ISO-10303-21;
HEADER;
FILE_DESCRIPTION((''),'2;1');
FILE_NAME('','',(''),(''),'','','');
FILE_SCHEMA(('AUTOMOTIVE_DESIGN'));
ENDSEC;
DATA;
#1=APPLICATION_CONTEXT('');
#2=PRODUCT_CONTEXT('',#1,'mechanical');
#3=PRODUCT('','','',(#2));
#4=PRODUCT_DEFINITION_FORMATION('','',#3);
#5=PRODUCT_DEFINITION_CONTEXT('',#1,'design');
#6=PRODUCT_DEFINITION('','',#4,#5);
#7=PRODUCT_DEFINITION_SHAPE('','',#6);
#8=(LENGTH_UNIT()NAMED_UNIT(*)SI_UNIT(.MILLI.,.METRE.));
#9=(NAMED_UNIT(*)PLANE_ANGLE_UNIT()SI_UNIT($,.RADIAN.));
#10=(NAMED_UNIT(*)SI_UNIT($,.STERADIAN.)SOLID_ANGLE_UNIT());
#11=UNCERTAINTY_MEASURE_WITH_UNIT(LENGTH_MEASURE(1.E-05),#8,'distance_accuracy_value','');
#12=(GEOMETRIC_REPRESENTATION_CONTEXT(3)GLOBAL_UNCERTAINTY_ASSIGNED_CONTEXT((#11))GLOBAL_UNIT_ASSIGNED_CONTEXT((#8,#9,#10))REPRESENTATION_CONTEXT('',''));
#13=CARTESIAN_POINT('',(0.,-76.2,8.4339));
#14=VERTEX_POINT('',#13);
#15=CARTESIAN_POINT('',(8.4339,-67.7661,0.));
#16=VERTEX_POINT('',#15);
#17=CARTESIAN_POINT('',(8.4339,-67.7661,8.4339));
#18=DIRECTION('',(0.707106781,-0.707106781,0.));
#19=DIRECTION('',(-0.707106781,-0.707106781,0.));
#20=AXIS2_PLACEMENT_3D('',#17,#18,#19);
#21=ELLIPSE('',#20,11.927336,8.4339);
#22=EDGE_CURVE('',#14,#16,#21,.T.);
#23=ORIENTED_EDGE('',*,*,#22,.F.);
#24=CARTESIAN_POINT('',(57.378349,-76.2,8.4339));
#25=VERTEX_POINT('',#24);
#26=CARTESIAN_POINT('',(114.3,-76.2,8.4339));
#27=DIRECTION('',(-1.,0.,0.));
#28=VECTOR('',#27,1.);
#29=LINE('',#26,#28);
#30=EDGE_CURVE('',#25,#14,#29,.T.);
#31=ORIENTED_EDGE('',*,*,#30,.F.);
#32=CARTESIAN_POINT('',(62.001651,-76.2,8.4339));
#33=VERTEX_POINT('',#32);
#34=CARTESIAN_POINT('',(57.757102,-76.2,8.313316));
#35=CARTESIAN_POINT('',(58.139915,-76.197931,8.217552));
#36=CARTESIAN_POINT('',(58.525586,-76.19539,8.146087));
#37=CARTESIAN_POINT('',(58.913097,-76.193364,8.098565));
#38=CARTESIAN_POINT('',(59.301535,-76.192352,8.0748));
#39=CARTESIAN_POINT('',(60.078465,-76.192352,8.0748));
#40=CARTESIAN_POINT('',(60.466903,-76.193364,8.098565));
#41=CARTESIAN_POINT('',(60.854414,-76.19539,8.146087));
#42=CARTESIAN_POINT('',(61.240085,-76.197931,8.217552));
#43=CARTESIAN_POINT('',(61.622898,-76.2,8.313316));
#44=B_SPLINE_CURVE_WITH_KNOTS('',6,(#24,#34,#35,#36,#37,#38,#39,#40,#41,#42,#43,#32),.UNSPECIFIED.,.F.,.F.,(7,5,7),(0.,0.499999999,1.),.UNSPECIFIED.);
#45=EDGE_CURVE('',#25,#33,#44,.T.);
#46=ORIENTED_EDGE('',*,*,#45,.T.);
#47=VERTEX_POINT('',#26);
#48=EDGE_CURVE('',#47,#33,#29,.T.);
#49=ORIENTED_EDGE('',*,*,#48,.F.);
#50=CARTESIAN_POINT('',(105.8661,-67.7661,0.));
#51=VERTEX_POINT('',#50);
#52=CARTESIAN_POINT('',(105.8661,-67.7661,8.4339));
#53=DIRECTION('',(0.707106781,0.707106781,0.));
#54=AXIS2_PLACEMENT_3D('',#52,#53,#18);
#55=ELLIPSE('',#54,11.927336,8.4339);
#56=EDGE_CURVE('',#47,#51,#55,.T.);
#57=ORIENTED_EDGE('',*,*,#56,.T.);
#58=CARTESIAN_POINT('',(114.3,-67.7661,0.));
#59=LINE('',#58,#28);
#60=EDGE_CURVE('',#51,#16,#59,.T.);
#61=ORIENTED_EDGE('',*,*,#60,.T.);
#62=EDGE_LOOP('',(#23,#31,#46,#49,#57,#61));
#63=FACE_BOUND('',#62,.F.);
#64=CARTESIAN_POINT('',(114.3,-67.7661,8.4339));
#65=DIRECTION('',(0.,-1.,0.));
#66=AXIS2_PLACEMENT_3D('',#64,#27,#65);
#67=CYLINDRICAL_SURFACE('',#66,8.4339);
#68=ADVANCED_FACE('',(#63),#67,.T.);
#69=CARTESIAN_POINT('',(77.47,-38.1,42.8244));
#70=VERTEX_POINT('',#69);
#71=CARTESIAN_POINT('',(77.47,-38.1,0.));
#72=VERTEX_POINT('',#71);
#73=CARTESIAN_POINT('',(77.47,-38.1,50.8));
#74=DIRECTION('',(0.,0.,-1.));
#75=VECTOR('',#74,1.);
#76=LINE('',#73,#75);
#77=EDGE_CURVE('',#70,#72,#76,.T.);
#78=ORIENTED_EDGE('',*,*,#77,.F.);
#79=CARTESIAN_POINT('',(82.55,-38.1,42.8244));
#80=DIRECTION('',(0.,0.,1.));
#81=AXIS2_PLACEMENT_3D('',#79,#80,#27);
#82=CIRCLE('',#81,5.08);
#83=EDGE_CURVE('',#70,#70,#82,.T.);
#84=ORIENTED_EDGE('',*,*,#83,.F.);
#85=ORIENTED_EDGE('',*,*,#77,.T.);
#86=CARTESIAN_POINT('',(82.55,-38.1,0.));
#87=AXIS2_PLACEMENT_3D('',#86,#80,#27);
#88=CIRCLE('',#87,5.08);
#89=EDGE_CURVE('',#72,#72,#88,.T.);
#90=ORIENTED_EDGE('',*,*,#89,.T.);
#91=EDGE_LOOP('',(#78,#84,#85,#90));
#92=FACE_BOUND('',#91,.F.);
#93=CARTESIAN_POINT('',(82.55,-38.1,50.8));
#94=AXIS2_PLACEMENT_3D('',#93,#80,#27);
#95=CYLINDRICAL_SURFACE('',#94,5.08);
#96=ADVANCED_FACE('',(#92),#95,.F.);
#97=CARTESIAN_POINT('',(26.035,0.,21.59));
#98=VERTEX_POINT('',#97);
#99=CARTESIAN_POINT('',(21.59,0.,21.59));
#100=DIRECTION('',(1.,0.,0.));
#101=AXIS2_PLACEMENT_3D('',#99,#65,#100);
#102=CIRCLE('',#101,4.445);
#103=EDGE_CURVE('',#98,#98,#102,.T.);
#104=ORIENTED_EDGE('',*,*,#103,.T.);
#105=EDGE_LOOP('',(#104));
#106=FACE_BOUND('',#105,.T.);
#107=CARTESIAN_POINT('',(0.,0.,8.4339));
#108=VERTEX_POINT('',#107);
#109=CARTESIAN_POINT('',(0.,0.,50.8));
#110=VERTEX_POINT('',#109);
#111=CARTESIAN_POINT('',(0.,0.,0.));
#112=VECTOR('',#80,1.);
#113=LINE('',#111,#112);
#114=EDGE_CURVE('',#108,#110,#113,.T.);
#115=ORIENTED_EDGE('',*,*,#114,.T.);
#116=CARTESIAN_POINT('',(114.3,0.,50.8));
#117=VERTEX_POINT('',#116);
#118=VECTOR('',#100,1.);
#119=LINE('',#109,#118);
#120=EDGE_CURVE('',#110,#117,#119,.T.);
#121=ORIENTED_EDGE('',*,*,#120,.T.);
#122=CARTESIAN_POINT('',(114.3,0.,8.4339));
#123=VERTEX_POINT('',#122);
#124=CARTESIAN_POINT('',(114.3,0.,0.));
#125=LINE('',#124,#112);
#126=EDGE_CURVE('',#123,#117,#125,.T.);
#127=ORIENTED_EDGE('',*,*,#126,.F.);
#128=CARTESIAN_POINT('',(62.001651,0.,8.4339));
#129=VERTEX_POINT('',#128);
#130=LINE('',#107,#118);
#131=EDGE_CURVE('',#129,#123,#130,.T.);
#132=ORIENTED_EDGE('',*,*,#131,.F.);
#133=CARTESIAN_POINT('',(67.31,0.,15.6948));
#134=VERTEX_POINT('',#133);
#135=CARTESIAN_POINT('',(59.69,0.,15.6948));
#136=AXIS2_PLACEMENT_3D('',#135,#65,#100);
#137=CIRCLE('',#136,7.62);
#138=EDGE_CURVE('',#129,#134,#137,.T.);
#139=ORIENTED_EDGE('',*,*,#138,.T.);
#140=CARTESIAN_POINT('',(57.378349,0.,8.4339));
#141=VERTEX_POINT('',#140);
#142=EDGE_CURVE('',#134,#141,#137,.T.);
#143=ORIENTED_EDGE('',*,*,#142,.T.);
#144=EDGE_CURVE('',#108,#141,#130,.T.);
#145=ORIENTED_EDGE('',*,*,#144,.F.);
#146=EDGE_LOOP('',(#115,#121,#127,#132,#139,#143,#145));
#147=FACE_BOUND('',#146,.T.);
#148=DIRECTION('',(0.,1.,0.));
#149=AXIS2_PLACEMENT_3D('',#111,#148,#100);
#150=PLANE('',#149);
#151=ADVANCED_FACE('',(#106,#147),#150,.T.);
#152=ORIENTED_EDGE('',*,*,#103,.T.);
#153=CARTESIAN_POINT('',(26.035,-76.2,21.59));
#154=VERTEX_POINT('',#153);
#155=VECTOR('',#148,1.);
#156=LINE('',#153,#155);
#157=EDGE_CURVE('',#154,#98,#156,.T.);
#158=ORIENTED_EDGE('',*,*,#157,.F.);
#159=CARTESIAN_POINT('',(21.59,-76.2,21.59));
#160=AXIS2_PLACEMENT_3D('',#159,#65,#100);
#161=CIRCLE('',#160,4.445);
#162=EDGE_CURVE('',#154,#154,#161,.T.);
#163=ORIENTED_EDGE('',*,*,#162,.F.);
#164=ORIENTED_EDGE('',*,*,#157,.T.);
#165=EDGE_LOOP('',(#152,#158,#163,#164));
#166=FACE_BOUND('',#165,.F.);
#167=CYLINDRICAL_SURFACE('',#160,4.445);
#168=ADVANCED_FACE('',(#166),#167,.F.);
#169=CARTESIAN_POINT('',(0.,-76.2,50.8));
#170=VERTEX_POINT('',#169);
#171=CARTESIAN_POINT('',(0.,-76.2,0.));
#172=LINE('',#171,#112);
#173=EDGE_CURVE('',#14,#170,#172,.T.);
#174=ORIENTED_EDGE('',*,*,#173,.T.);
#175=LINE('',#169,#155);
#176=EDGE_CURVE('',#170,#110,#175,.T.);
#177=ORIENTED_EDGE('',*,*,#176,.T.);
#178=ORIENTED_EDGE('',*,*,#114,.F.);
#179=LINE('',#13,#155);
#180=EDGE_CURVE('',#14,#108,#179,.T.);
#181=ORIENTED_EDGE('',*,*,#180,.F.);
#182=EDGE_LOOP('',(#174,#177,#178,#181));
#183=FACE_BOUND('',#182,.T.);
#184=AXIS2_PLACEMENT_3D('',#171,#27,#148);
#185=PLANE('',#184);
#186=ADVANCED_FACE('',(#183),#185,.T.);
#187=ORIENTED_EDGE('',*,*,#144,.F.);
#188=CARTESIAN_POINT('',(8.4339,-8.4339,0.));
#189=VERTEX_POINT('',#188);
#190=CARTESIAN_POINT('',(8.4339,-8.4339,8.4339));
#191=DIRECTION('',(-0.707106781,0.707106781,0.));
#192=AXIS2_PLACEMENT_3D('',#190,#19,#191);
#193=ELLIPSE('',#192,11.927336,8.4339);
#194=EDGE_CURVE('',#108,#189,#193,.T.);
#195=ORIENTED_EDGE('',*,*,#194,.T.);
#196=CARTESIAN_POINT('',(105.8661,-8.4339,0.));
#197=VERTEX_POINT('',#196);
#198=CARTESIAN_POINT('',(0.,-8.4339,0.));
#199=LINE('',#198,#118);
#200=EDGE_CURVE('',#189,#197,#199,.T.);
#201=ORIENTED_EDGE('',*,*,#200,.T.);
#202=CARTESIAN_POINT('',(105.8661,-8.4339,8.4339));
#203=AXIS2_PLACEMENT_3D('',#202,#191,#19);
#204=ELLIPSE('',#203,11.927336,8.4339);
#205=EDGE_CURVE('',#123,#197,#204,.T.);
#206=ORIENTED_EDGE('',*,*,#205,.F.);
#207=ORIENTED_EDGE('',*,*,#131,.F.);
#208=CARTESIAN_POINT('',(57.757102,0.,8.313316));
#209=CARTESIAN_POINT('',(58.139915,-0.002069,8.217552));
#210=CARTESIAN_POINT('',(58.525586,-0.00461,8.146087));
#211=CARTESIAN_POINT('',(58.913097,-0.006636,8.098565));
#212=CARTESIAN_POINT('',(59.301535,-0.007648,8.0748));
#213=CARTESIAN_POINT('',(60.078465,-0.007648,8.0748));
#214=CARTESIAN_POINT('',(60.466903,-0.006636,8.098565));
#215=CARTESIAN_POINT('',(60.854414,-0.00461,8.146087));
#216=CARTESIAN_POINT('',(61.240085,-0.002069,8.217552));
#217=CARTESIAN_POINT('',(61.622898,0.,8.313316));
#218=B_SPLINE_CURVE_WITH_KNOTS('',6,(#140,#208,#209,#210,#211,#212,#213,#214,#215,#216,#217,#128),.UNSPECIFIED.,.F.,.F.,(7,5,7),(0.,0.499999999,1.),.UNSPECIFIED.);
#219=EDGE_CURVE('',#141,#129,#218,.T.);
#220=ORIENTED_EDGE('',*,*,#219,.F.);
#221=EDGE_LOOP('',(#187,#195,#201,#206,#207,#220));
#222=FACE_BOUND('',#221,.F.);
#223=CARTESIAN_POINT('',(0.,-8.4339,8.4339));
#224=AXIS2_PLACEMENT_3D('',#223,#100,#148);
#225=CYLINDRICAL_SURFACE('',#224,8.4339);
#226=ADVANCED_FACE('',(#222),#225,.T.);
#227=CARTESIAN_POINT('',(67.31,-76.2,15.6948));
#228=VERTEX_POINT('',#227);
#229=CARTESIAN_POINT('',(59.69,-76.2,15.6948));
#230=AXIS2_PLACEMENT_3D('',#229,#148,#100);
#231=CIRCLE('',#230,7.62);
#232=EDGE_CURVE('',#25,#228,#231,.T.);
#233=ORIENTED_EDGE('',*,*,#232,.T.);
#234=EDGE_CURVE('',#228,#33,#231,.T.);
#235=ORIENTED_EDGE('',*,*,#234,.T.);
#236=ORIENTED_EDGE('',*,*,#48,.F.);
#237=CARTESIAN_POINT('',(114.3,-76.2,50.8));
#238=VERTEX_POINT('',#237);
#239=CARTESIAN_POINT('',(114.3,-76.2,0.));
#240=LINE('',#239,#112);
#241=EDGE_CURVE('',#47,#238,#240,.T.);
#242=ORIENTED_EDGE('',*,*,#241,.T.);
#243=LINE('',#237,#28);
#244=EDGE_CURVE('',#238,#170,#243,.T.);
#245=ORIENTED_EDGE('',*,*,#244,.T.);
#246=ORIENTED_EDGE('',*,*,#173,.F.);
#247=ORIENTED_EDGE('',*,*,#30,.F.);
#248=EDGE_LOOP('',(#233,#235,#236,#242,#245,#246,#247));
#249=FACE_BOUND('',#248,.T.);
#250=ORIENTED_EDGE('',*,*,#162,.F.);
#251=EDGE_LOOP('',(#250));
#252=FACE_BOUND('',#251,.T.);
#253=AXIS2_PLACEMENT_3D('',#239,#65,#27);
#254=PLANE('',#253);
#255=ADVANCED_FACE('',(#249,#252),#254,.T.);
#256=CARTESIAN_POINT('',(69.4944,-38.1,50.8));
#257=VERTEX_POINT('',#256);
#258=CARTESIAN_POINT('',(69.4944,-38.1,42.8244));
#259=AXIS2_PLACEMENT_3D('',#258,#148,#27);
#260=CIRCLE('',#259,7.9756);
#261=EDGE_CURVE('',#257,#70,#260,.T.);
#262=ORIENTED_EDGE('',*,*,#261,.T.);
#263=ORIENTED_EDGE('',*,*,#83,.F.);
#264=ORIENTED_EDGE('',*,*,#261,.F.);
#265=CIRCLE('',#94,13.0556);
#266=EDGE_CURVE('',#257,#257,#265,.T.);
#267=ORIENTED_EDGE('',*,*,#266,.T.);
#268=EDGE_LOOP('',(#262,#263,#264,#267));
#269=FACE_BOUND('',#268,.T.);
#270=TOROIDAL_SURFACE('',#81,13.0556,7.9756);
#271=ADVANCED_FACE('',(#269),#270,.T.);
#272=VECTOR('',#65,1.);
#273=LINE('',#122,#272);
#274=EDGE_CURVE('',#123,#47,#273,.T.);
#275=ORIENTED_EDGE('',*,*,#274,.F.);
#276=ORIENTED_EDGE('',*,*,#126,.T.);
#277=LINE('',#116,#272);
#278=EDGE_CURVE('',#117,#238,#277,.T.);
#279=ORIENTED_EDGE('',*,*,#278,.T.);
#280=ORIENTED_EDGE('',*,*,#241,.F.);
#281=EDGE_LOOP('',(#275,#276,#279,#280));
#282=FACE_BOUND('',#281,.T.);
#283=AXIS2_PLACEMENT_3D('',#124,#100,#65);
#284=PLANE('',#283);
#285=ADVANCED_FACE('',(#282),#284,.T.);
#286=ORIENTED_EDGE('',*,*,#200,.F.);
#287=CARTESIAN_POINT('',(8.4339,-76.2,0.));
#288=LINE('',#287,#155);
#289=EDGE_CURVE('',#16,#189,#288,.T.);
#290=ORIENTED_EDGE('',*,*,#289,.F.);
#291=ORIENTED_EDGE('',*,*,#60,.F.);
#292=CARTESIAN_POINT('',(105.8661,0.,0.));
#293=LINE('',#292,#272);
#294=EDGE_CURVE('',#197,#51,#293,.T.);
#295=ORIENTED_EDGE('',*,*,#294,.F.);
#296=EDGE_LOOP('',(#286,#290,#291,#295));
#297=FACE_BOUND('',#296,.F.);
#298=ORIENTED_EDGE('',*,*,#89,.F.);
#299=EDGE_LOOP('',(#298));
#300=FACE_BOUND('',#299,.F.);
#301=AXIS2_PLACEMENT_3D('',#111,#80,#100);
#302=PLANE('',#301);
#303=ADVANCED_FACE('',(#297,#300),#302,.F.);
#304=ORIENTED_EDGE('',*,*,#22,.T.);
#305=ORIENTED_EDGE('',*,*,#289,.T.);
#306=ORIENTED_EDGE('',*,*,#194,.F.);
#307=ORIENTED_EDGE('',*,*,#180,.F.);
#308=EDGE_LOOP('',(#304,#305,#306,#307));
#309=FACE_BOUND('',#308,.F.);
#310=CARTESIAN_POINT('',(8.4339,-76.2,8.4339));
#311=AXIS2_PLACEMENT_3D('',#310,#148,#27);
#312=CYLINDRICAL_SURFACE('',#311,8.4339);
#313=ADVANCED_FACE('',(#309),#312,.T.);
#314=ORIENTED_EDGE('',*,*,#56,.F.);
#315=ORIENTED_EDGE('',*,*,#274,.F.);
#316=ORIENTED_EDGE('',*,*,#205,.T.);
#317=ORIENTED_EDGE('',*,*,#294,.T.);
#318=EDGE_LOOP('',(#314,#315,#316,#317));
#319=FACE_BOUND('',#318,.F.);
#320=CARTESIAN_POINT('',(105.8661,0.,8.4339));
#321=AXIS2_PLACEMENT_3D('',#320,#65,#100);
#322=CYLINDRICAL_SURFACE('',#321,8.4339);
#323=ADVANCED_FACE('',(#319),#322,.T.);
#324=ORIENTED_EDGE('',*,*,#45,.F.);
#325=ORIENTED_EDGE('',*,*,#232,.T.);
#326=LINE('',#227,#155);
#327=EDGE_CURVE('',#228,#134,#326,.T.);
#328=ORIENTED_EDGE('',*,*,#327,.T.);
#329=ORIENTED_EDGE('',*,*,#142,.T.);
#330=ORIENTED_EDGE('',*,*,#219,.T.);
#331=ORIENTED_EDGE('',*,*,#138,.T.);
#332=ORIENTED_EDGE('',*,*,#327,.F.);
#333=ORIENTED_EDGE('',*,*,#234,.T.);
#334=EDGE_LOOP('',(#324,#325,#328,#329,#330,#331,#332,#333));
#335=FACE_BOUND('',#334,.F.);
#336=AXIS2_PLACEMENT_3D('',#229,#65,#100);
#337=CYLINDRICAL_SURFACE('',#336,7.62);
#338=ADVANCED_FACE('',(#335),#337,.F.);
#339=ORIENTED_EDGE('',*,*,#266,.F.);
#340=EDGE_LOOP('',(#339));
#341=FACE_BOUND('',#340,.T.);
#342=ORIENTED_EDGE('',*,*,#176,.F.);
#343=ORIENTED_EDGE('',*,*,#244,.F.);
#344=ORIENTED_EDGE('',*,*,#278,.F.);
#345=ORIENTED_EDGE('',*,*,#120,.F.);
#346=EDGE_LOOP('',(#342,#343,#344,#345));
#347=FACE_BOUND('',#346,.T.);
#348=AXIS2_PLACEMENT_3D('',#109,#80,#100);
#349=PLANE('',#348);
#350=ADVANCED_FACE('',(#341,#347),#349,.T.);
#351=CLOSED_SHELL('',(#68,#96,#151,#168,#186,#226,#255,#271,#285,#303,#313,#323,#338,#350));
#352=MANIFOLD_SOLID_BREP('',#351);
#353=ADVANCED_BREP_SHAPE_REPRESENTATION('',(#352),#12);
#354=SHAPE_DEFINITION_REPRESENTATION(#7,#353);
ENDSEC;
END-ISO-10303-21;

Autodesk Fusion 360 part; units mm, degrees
sketch "Sketch1" plane through (0, 0, 0) normal (0, 0, 1) x (1, 0, 0)
  line L0 (0, 0) -> (114.3, 0)
  line L1 (114.3, 0) -> (114.3, -76.2)
  line L2 (114.3, -76.2) -> (0, -76.2)
  line L3 (0, -76.2) -> (0, 0)
  dimension "d1" = 114.3
  dimension "d2" = 76.2
extrude "Extrude1" add sketch "Sketch1" along normal blind 50.8
sketch "Sketch2" plane through (0, 0, 50.8) normal (0, 0, 1) x (-1, 0, 0)
  line L0 (0, 76.2) -> (-114.3, 76.2)
  line L1 (-114.3, 76.2) -> (-114.3, 0)
  line L2 (-114.3, 0) -> (0, 0)
  line L3 (0, 0) -> (0, 76.2)
  circle A0 centre (-82.55, 38.1) radius 5.08
  dimension "d5" = 10.16
  dimension "d6" = 38.1
  dimension "d7" = 31.75
extrude "Extrude2" cut sketch "Sketch2" against normal blind 50.8 contours A0
fillet "Fillet1" radius 7.9756 1 edges at (87.2862, -39.937, 50.8)
fillet "Fillet2" radius 8.4339 4 edges at (114.3, -38.1, 0) (57.15, -76.2, 0) (0, -38.1, 0) (57.15, 0, 0)
sketch "Sketch3" plane through (0, -76.2, 0) normal (0, -1, 0) x (1, 0, 0)
  line L0 (0, 8.4339) -> (114.3, 8.4339)
  line L1 (114.3, 8.4339) -> (114.3, 50.8)
  line L2 (114.3, 50.8) -> (0, 50.8)
  line L3 (0, 50.8) -> (0, 8.4339)
  circle A0 centre (21.59, 21.59) radius 4.445
  line L4 (8.4339, 0) -> (105.8661, 0)
  circle A1 centre (59.69, 15.6948) radius 7.62
  dimension "d20" = 8.89
  dimension "d21" = 21.59
  dimension "d22" = 21.59
  dimension "d23" = 15.24
  dimension "d24" = 59.69
extrude "Extrude4" cut sketch "Sketch3" against normal blind 76.2 contours L0 A1 | L0 A1
extrude "Extrude5" cut sketch "Sketch3" against normal blind 76.2 contours A0
